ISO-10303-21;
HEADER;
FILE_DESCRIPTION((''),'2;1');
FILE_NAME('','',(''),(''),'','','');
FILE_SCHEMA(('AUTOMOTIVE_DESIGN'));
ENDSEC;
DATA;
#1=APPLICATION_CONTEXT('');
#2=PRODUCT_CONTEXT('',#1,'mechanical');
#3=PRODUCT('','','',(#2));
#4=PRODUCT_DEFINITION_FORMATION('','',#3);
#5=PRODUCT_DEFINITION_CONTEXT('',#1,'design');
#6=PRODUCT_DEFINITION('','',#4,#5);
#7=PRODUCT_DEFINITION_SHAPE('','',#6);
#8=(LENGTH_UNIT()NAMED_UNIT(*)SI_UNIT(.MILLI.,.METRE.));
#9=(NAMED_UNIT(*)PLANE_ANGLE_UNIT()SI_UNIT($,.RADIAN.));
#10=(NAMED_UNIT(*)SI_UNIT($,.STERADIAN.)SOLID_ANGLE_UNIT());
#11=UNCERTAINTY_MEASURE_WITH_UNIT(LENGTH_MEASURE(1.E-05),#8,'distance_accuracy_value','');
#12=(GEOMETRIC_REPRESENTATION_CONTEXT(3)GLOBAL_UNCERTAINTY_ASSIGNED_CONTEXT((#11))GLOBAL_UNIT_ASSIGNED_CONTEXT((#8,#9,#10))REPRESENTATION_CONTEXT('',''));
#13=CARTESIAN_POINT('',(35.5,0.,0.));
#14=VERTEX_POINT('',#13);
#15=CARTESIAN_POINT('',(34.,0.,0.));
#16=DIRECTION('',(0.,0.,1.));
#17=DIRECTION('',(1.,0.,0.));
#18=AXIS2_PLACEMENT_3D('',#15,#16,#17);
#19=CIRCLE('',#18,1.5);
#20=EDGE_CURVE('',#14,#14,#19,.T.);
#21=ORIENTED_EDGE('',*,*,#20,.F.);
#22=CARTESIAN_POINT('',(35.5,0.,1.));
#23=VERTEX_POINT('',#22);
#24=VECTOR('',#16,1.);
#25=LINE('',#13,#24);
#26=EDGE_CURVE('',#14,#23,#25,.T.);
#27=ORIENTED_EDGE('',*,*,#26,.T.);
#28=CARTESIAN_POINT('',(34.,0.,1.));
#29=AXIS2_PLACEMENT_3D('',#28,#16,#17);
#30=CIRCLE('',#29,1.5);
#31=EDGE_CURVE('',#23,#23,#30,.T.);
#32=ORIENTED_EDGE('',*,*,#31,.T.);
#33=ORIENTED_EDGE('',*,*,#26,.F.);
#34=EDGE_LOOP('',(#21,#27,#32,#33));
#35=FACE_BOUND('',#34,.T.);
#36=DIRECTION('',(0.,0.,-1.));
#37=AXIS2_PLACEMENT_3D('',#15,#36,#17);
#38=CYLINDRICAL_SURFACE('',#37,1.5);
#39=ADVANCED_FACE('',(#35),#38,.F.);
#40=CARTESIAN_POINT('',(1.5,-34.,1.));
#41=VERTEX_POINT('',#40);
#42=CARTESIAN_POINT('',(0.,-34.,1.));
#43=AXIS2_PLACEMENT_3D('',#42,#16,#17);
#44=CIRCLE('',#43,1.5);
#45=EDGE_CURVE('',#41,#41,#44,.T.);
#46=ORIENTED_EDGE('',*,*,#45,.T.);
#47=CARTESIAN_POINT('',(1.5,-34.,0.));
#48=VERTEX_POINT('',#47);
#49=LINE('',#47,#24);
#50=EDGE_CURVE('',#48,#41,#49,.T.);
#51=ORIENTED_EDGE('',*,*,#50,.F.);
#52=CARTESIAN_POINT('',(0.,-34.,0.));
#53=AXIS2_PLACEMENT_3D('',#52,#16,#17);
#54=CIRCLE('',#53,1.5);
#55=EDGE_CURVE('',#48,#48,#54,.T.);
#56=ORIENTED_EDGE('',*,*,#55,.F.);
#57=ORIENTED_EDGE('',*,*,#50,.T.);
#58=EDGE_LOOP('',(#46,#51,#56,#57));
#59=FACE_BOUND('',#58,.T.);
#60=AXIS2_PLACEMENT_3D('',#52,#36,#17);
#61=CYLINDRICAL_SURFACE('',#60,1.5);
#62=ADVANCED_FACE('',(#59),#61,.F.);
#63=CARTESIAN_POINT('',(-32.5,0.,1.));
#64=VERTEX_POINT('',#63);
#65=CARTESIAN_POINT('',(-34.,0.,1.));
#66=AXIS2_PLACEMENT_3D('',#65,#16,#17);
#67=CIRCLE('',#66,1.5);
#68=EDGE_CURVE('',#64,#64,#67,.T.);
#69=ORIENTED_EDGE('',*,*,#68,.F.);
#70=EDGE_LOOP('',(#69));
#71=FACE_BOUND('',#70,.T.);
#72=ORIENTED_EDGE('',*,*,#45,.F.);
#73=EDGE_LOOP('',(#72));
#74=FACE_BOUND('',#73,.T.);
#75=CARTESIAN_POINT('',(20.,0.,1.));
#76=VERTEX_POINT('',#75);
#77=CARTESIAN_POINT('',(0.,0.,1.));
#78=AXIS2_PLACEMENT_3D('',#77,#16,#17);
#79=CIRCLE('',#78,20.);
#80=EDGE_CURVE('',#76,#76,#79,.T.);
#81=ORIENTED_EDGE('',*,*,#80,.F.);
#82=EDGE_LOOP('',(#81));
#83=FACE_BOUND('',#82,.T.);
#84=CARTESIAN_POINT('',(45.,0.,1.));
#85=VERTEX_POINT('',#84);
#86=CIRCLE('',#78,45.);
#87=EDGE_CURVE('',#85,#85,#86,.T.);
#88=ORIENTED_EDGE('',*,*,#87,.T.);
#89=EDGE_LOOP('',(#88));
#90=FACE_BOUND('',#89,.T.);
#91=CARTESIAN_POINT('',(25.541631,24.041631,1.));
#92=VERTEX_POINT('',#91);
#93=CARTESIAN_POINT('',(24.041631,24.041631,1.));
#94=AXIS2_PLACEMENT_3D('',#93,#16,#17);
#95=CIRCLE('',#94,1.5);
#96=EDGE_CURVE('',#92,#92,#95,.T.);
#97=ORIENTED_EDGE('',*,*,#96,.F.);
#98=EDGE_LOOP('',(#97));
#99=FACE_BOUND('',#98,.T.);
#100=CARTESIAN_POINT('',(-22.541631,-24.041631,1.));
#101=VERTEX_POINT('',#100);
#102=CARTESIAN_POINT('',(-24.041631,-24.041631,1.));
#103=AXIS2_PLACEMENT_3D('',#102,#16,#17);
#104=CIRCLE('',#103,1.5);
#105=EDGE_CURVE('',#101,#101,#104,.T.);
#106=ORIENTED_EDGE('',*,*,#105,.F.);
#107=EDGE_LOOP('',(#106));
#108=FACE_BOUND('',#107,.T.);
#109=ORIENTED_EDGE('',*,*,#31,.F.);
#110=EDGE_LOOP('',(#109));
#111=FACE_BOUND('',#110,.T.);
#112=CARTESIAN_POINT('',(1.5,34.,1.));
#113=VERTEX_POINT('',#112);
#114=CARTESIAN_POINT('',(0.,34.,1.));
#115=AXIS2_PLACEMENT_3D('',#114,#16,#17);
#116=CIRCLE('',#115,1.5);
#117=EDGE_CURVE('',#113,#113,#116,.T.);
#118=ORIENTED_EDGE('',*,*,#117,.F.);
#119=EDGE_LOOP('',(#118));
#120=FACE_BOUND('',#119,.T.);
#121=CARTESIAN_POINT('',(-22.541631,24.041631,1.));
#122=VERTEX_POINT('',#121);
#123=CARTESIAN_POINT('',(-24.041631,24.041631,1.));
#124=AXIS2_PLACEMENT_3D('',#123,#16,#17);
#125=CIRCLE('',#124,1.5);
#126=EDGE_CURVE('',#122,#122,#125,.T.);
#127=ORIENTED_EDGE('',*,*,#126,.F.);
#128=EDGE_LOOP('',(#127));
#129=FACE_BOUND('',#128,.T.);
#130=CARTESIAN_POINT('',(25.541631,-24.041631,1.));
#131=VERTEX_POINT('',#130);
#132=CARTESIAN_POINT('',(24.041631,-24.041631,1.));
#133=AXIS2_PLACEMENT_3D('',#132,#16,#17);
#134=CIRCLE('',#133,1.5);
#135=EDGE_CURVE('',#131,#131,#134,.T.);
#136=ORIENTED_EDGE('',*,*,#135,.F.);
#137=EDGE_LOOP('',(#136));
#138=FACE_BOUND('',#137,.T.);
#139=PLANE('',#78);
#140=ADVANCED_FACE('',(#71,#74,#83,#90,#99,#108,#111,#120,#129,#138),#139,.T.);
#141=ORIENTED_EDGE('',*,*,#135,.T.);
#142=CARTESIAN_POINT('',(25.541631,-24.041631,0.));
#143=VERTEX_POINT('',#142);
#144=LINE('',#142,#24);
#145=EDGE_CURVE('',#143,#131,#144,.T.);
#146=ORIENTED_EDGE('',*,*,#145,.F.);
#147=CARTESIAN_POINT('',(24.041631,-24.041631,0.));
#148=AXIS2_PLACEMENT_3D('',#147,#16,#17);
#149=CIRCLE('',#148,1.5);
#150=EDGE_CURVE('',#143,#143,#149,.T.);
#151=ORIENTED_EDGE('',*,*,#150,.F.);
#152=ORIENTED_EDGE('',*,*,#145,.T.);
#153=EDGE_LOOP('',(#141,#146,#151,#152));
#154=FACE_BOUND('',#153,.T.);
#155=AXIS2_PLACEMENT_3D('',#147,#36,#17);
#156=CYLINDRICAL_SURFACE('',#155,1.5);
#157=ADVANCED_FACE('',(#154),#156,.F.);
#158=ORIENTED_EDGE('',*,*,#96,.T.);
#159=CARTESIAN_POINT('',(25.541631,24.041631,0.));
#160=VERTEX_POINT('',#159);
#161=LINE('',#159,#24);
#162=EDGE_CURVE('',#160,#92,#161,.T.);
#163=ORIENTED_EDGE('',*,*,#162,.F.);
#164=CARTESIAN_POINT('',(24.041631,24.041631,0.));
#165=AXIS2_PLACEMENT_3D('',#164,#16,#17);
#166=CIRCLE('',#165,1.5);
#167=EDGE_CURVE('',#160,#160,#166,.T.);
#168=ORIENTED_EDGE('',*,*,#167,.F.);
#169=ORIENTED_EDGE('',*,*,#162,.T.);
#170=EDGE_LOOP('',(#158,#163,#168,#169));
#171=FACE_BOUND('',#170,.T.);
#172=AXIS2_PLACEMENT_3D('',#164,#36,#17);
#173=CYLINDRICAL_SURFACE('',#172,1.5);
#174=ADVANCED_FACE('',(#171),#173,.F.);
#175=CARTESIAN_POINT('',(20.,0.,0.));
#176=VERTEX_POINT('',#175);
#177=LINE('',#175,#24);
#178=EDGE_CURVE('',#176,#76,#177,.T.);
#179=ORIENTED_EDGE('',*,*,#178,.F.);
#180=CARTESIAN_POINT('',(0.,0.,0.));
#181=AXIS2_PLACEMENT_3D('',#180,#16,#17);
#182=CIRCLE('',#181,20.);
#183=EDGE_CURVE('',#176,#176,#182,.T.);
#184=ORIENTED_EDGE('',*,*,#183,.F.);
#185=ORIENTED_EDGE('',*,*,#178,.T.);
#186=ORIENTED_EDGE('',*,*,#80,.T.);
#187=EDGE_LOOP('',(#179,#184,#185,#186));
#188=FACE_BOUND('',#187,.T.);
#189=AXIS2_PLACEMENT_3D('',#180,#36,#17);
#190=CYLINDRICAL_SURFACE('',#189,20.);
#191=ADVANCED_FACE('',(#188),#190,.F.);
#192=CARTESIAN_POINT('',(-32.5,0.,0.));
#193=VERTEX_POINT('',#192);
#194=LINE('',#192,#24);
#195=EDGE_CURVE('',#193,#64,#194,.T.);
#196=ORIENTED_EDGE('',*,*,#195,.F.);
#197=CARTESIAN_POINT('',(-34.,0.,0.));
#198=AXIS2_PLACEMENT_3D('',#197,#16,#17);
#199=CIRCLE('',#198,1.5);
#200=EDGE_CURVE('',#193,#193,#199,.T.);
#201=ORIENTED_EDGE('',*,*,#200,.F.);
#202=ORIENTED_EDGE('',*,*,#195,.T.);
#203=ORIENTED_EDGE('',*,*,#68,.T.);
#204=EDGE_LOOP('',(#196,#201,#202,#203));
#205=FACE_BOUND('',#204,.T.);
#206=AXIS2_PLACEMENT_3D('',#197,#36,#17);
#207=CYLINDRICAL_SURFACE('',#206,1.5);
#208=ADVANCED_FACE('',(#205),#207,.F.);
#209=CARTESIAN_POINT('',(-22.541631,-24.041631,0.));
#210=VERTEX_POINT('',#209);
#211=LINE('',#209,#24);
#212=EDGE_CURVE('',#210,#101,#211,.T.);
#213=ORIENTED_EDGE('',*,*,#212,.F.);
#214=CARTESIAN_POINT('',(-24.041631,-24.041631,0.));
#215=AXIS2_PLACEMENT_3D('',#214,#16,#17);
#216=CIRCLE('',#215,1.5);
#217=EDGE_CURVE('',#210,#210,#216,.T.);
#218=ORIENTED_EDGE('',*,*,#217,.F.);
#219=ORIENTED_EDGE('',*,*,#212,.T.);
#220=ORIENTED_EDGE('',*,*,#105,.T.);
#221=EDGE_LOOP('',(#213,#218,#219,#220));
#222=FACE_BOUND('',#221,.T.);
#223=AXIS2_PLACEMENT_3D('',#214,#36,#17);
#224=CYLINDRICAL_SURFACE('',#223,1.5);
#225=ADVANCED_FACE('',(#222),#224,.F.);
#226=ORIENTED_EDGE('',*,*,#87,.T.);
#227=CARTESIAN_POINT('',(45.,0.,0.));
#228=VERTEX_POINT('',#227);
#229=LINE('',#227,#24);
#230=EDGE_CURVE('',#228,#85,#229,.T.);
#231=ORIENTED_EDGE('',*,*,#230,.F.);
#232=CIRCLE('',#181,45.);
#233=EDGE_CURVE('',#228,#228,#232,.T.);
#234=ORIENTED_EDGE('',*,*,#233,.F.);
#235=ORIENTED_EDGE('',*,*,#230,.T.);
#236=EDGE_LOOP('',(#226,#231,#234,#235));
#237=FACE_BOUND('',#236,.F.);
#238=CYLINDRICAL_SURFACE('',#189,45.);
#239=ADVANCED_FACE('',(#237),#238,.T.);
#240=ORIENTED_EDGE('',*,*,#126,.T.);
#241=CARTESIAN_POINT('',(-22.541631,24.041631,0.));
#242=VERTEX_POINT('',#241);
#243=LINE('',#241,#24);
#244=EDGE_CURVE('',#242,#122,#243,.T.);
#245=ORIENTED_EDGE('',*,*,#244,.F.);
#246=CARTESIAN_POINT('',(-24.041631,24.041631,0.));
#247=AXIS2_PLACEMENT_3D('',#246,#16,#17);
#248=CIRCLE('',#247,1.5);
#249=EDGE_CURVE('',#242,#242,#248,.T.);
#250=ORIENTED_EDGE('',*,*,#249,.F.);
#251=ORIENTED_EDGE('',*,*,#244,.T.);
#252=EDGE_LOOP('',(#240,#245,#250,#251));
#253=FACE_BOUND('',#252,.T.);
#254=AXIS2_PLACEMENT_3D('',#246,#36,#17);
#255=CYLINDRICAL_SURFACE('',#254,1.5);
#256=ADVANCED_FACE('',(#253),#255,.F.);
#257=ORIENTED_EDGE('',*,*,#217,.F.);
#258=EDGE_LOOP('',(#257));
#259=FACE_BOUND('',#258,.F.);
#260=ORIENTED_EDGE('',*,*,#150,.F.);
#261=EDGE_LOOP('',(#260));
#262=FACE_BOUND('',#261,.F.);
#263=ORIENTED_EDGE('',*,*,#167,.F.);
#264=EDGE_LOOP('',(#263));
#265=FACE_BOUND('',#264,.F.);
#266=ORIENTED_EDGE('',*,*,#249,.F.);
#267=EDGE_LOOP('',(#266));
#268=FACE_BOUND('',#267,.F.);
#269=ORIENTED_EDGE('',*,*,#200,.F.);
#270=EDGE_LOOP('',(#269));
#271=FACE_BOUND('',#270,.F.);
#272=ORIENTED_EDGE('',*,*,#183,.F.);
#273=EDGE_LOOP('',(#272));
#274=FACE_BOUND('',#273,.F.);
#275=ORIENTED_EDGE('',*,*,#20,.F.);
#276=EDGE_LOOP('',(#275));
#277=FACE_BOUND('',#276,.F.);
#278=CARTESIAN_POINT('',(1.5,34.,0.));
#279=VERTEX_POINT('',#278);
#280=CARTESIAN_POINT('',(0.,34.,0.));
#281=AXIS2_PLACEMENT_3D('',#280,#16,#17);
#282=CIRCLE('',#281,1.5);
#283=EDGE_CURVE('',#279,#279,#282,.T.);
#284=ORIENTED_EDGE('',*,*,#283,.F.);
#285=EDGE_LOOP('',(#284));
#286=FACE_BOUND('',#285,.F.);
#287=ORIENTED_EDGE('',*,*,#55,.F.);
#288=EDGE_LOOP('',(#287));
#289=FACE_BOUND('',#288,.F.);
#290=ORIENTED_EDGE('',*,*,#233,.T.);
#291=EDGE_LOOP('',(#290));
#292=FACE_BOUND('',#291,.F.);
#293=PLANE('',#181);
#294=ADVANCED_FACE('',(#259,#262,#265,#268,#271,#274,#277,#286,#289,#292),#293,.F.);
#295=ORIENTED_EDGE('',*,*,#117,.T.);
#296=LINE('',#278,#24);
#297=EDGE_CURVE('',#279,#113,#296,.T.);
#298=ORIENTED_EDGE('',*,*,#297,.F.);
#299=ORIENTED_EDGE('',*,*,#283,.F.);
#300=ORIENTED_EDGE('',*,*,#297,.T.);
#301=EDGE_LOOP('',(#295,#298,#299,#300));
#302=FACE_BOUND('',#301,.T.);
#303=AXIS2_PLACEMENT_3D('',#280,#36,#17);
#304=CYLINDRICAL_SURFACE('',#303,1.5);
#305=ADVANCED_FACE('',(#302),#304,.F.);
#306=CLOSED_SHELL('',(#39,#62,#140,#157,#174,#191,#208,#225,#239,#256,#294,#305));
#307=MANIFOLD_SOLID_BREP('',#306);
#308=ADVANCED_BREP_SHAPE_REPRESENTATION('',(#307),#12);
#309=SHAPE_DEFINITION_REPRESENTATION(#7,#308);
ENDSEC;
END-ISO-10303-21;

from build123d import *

# Parameters (mm, degrees)
SKETCH_R      = 45
SKETCH_R_2    = 20
SKETCH_R_3    = 1.5
EXTRUDE_DEPTH = 1


with BuildPart() as part:
    # Sketch → Extrude (new body)
    with BuildSketch(Plane.XY):
        Circle(SKETCH_R)
        Circle(SKETCH_R_2, mode=Mode.SUBTRACT)
        with Locations((-24.041631, 24.041631)):
            Circle(SKETCH_R_3, mode=Mode.SUBTRACT)
        with Locations((0, 34)):
            Circle(SKETCH_R_3, mode=Mode.SUBTRACT)
        with Locations((34, 0)):
            Circle(SKETCH_R_3, mode=Mode.SUBTRACT)
        with Locations((0, -34)):
            Circle(SKETCH_R_3, mode=Mode.SUBTRACT)
        with Locations((-24.041631, -24.041631)):
            Circle(SKETCH_R_3, mode=Mode.SUBTRACT)
        with Locations((-34, 0)):
            Circle(SKETCH_R_3, mode=Mode.SUBTRACT)
        with Locations((24.041631, -24.041631)):
            Circle(SKETCH_R_3, mode=Mode.SUBTRACT)
        with Locations((24.041631, 24.041631)):
            Circle(SKETCH_R_3, mode=Mode.SUBTRACT)
    extrude(amount=EXTRUDE_DEPTH)


solid = part.part
